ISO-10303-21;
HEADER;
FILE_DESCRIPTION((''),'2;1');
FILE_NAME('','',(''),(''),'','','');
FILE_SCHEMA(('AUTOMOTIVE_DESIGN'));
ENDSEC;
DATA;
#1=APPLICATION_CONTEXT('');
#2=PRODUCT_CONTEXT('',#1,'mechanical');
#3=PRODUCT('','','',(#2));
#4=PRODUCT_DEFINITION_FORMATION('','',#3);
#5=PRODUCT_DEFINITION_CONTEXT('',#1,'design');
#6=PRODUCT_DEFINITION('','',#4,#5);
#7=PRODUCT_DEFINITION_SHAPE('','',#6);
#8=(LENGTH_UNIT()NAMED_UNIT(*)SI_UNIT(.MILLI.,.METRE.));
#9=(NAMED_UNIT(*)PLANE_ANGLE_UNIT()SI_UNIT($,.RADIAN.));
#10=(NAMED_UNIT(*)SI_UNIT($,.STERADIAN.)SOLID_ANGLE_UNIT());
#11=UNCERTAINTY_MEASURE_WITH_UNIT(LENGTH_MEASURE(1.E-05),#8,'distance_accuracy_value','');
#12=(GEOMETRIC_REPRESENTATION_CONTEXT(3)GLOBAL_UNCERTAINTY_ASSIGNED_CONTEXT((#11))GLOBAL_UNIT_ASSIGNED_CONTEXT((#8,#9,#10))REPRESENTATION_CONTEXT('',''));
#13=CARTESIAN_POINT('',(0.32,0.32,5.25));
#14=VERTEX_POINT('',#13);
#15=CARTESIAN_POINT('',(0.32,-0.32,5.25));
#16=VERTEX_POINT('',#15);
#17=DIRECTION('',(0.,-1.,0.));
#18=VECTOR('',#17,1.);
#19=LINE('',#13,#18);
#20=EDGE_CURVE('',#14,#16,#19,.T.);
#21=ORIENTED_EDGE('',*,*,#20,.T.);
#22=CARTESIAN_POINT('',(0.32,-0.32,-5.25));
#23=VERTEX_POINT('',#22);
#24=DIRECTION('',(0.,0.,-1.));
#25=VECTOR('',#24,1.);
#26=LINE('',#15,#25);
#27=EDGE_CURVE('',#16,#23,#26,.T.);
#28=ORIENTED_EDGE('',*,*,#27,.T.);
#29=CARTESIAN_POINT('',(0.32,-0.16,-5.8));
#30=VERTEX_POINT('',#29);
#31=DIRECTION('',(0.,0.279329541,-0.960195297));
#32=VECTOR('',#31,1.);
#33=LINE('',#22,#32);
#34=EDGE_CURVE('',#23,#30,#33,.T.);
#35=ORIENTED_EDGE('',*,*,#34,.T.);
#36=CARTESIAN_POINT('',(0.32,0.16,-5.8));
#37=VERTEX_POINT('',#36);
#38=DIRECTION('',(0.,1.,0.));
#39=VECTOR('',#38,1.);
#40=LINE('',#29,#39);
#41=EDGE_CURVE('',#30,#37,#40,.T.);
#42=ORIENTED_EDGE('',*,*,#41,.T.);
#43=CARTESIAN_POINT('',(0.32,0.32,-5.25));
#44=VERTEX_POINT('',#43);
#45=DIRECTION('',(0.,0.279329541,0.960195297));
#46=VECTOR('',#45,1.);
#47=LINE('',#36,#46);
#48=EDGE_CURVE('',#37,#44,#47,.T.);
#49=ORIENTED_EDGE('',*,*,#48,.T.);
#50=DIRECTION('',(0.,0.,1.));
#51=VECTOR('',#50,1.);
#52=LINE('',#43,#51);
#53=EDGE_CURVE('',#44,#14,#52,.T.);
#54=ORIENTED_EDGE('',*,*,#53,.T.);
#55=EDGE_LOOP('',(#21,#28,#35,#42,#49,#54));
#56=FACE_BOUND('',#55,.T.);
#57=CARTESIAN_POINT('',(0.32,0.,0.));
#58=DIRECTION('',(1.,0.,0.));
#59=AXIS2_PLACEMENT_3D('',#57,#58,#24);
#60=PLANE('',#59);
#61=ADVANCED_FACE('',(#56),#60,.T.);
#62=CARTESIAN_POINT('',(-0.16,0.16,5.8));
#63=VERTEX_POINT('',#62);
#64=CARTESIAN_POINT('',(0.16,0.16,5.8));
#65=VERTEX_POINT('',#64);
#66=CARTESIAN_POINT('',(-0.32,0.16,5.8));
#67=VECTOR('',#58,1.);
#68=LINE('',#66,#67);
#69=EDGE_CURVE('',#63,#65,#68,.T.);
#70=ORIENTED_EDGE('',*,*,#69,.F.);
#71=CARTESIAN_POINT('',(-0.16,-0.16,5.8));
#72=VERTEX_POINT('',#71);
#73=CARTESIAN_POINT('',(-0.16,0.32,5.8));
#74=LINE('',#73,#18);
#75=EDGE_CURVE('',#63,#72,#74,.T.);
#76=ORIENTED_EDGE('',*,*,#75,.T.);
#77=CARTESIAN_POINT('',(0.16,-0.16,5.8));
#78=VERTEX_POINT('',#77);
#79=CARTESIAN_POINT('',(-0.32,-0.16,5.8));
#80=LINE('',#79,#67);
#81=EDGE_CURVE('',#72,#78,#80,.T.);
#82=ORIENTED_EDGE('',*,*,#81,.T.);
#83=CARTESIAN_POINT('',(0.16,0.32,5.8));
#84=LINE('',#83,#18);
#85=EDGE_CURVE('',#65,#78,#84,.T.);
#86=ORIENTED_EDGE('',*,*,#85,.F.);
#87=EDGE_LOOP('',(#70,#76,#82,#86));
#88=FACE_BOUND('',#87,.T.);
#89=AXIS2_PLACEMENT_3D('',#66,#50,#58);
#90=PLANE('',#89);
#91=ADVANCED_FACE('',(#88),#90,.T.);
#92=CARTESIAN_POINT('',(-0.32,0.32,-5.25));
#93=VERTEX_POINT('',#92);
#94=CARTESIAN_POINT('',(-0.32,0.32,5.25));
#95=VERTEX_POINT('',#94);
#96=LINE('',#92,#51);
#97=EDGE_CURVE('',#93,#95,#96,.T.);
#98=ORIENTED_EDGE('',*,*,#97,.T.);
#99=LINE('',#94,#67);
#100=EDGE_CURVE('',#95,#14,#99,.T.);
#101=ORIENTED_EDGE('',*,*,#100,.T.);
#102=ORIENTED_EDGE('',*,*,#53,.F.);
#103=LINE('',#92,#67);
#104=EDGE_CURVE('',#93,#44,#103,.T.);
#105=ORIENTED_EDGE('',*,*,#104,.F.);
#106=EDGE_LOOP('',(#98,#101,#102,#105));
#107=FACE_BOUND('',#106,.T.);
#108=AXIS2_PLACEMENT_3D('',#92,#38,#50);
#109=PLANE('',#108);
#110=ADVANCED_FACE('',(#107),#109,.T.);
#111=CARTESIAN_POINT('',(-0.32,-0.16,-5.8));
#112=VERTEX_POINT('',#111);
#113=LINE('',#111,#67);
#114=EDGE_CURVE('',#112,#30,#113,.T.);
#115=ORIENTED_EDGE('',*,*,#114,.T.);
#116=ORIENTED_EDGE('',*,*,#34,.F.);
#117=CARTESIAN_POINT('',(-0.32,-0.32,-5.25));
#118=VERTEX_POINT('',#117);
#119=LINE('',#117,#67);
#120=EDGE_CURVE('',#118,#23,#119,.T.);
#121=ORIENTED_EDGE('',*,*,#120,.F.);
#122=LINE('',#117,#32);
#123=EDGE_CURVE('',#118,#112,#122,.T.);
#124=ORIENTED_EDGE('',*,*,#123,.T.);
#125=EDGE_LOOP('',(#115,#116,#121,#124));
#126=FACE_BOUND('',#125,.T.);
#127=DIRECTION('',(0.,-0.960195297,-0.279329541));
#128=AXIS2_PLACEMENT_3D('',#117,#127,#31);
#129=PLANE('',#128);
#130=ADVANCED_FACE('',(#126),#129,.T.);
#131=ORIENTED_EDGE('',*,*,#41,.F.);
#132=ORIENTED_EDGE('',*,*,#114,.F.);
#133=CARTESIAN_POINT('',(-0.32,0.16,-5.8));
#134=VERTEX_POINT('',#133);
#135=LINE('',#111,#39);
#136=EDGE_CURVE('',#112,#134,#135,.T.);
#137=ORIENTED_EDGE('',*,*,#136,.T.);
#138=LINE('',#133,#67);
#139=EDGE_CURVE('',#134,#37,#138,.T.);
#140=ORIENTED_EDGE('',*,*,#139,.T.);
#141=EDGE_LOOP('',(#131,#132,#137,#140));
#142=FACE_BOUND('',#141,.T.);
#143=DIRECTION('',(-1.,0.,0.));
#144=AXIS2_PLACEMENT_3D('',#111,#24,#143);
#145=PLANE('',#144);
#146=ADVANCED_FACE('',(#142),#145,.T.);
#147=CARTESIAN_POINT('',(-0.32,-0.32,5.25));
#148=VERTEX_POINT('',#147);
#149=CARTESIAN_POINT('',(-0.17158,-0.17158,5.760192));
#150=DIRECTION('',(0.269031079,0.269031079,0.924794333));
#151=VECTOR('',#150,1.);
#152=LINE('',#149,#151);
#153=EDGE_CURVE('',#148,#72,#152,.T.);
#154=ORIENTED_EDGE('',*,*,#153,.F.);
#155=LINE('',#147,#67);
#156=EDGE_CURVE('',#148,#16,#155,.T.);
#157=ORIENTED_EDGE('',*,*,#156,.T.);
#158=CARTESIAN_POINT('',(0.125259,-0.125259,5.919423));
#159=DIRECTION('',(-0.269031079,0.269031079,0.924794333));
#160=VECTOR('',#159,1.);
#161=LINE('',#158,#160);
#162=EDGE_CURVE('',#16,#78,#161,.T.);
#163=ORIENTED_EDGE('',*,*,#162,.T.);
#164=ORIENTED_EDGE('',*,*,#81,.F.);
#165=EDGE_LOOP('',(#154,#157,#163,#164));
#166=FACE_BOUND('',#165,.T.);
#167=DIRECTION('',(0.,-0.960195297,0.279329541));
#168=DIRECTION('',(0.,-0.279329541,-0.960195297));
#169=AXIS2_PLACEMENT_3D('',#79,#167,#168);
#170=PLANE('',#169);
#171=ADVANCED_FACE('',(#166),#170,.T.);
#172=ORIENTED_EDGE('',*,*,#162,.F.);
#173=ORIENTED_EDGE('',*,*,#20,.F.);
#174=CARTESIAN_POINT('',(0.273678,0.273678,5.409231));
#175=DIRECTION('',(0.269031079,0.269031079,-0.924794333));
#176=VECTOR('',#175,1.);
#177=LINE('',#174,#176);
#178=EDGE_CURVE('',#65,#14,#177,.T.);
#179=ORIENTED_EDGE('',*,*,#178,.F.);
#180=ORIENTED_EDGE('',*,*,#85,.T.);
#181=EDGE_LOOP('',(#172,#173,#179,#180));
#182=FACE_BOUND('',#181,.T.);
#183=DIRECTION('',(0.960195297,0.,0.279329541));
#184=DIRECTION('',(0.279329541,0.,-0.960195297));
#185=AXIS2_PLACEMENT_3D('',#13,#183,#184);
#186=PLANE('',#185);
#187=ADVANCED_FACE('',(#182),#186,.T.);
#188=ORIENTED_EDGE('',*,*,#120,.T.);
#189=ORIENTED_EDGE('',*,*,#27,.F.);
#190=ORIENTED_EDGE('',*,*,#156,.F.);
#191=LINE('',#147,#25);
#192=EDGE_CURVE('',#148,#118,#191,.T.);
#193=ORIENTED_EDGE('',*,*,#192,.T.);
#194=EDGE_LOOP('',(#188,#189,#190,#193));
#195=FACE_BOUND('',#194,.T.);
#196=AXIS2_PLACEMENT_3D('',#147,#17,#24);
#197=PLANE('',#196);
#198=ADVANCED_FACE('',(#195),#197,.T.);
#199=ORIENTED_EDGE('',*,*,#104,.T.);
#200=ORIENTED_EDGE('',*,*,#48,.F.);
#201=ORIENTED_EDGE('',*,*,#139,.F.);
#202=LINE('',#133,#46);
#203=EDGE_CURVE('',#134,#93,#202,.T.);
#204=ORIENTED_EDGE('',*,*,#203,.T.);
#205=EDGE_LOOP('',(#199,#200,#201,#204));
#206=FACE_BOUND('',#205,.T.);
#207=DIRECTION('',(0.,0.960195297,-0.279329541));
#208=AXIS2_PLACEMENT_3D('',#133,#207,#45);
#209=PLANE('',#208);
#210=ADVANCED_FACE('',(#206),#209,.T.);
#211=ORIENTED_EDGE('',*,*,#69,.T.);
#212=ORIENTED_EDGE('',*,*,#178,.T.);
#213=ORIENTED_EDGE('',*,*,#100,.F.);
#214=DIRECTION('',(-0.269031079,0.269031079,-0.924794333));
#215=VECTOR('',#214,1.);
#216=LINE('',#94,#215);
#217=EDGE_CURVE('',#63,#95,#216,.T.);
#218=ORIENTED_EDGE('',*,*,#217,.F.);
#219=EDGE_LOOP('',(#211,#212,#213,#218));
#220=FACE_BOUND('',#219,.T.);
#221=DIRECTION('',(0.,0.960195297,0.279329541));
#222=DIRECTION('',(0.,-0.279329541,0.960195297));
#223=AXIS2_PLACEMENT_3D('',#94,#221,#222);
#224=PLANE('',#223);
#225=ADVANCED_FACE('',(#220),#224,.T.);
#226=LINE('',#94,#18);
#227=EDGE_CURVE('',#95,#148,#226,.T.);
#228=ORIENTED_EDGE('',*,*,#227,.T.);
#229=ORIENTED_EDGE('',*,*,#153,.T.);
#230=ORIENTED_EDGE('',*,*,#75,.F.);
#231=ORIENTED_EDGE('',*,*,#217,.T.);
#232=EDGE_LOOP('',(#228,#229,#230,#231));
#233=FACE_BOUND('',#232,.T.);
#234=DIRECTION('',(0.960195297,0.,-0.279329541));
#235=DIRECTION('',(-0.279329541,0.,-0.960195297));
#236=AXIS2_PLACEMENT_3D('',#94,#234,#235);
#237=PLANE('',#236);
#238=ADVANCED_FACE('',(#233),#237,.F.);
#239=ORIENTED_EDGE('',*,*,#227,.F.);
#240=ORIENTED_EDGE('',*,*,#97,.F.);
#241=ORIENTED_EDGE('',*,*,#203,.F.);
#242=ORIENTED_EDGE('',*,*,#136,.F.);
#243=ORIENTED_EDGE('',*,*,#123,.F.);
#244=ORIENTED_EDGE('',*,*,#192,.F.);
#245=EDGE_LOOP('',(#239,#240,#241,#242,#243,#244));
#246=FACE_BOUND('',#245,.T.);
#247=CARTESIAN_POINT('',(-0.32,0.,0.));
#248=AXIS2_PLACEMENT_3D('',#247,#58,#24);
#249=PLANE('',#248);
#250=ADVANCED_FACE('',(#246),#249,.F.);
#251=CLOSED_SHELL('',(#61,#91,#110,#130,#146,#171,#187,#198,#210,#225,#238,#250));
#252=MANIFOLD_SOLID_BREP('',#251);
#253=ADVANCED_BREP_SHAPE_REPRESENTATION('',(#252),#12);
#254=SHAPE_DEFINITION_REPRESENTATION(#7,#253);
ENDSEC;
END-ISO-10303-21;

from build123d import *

# Parameters (mm, degrees)
EXTRUDE_1_DEPTH      = 0.32
EXTRUDE_1_DEPTH_BACK = 0.32
CUT_EXTRUDE_2_DEPTH  = 6.843971252


with BuildPart() as part:
    # Эскиз1 → Бобышка-Вытянуть1 (new, two sides: drawn at the far end of the back side and taken through both)
    with BuildSketch(Plane(origin=(0, 0, 0), x_dir=(0, 0, -1), z_dir=(1, 0, 0)).offset(-EXTRUDE_1_DEPTH_BACK)):
        Polygon((-5.25, -0.32), (5.25, -0.32), (5.8, -0.16), (5.8, 0.16), (5.25, 0.32), (-5.25, 0.32), (-5.8, 0.16), (-5.8, -0.16), align=None)
    extrude(amount=EXTRUDE_1_DEPTH + EXTRUDE_1_DEPTH_BACK)

    # Эскиз4 → Вырез-Вытянуть2 (cut, through all)
    with BuildSketch(Plane.XZ.offset(0.32)):
        Polygon((-0.32, 5.25), (-0.16, 5.8), (-0.32, 5.8), align=None)
    cut_extrude_2 = extrude(amount=-CUT_EXTRUDE_2_DEPTH, mode=Mode.SUBTRACT)

    # Зеркальное отражение1: Вырез-Вытянуть2 across plane
    add(cut_extrude_2.mirror(Plane(origin=(0, 0, 0), x_dir=(0, 0, 1), z_dir=(1, 0, 0))), mode=Mode.SUBTRACT)


solid = part.part
